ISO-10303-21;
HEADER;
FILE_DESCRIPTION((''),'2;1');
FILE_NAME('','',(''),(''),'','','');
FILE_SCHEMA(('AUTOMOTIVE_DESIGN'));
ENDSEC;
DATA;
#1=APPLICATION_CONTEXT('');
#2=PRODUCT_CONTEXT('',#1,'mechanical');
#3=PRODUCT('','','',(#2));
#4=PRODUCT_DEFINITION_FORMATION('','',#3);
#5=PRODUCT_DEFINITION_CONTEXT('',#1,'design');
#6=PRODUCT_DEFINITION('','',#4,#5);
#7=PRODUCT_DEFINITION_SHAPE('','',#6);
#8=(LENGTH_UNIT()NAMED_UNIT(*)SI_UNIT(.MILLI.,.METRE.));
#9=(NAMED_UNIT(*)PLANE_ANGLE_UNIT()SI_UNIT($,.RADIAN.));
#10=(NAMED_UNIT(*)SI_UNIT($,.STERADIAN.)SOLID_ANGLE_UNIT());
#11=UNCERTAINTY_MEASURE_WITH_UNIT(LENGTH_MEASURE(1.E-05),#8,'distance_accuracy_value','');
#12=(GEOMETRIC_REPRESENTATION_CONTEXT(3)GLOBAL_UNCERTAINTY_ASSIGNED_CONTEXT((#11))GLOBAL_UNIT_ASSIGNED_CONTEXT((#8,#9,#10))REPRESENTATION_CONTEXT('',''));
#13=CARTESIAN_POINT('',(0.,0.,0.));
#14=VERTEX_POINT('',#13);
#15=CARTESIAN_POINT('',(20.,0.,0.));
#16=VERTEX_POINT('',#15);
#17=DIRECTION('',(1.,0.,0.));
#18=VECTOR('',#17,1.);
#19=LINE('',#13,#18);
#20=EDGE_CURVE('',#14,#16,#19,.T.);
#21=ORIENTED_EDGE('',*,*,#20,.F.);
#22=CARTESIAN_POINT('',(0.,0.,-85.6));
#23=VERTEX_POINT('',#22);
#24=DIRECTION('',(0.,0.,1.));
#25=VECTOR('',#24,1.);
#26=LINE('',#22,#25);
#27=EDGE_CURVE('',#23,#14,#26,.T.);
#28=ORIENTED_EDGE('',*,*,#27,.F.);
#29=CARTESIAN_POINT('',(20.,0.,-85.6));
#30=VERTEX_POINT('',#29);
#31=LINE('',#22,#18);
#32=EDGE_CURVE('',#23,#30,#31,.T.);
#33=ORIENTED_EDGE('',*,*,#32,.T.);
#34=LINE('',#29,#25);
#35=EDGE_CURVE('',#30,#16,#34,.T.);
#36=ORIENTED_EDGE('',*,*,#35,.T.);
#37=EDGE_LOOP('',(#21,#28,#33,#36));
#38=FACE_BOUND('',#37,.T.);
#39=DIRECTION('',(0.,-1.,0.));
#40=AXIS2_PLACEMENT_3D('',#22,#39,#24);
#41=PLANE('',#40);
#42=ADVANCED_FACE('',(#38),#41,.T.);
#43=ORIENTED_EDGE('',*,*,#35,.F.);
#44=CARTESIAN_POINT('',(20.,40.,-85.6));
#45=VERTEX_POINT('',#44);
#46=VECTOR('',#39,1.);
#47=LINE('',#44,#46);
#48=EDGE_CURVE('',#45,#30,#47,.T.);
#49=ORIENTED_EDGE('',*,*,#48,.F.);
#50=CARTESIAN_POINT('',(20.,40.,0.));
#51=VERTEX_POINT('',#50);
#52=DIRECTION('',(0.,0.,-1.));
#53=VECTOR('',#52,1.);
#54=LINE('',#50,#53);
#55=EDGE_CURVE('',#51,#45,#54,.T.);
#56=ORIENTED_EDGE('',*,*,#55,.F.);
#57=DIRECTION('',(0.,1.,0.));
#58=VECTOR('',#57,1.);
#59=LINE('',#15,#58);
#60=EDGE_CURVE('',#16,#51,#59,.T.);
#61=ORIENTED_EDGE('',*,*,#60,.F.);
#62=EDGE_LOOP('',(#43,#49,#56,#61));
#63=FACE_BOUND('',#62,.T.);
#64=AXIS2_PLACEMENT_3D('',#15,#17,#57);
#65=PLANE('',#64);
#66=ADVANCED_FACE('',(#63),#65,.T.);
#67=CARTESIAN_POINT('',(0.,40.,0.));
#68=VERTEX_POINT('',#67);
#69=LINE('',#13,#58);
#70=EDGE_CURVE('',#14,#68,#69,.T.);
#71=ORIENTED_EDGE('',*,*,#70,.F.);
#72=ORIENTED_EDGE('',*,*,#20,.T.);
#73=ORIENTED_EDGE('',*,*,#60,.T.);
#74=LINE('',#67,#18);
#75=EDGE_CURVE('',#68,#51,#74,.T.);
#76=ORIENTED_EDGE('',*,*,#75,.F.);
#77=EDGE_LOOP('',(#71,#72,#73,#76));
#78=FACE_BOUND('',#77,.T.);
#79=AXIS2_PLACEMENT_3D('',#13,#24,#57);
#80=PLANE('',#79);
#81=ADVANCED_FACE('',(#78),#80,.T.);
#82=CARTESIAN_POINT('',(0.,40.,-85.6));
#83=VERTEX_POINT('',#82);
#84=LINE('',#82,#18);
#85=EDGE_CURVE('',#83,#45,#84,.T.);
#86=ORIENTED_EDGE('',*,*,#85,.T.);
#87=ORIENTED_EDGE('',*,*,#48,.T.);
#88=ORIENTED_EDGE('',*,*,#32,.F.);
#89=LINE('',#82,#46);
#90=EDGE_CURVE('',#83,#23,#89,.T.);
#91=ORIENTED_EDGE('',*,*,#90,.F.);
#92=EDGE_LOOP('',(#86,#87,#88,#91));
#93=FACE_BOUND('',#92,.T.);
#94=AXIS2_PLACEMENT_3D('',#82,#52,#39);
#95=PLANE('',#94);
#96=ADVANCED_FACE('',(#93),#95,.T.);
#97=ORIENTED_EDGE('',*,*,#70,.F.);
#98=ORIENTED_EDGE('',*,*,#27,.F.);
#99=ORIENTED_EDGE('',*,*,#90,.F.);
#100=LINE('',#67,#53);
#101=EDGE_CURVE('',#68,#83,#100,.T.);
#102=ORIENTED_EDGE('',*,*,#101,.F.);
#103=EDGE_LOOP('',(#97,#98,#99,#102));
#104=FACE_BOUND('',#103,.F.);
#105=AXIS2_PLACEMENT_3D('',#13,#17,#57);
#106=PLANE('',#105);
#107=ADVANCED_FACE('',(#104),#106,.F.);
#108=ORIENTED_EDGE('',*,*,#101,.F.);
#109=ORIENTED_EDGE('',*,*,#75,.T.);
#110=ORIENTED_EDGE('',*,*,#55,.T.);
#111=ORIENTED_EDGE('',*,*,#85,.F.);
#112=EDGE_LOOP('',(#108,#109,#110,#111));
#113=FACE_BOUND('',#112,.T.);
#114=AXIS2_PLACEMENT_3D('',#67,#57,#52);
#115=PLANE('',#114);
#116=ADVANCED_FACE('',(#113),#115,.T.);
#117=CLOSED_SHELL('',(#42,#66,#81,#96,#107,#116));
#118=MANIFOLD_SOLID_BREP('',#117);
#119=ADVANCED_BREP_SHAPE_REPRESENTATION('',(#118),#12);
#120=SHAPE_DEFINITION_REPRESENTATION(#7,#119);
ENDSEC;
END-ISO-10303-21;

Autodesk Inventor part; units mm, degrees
ref_plane "YZ Plane" through (0, 0, 0) normal (1, 0, 0) x (0, 1, 0)
ref_plane "XZ Plane" through (0, 0, 0) normal (0, 1, 0) x (-1, 0, 0)
ref_plane "XY Plane" through (0, 0, 0) normal (0, 0, 1) x (1, 0, 0)
sketch "Sketch1" plane through (0, 0, 0) normal (1, 0, 0) x (0, 1, 0)
  line L0 (0, 0) -> (40, 0)
  line L1 (40, 0) -> (40, -85.6)
  line L2 (40, -85.6) -> (0, -85.6)
  line L3 (0, -85.6) -> (0, 0)
  dimension "d0" = 40
  dimension "d1" = 85.6
extrude "Extrusion1" add sketch "Sketch1" along normal blind 20
properties part number "multiusb"
